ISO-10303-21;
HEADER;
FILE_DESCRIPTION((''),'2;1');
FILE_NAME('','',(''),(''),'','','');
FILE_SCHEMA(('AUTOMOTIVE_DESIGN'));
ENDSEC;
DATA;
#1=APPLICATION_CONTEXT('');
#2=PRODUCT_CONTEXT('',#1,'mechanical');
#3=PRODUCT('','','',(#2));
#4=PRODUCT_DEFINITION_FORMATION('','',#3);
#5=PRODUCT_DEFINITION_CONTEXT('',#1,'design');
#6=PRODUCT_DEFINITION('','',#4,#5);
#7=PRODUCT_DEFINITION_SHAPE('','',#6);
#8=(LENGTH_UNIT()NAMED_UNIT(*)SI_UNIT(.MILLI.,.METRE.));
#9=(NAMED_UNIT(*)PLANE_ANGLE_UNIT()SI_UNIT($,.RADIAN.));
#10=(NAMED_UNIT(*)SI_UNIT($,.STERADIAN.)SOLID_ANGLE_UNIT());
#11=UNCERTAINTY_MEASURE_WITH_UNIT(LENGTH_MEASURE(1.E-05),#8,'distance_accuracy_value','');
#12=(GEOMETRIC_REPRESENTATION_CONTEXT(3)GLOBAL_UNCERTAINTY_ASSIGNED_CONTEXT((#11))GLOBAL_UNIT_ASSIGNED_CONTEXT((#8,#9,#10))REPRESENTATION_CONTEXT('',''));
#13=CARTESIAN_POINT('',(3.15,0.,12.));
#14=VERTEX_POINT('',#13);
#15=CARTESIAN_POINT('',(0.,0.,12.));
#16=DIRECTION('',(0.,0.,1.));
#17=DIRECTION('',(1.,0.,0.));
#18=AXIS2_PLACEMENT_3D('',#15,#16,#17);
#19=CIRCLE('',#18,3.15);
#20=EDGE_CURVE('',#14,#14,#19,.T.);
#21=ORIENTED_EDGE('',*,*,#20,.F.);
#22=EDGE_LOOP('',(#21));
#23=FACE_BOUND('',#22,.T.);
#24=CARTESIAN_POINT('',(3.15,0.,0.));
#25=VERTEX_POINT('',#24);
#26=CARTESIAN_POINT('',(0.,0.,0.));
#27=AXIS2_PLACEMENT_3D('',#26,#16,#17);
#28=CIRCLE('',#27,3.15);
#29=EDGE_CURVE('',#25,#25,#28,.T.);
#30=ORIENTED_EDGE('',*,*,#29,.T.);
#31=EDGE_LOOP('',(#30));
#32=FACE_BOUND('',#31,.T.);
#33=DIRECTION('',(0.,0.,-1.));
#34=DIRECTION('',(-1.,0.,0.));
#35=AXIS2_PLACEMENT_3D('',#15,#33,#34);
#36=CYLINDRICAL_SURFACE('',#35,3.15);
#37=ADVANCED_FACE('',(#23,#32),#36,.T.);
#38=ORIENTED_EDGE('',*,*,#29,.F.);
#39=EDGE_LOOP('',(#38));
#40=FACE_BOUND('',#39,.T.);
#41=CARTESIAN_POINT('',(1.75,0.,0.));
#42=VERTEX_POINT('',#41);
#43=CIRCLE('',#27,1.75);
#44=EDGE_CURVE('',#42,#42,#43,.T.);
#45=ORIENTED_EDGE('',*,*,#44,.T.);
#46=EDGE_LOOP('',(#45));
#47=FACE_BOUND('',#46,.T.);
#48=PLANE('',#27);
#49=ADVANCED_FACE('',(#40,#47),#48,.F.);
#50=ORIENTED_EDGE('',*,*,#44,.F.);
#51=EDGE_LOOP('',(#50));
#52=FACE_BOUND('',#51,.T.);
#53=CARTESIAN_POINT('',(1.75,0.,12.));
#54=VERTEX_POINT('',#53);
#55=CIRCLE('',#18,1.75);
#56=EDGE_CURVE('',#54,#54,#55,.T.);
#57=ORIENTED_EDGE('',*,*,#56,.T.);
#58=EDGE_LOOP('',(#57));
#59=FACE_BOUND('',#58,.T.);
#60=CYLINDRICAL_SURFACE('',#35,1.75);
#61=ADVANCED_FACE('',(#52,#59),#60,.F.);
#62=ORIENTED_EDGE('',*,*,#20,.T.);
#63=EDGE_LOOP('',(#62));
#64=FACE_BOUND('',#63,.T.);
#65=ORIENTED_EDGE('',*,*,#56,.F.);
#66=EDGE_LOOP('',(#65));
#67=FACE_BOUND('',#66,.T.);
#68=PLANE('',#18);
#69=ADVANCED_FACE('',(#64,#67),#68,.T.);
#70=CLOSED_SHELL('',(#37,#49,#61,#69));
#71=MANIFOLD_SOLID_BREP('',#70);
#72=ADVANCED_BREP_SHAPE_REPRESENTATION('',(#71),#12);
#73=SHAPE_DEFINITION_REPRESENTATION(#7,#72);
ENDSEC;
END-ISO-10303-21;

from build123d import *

# Parameters (mm, degrees)
SZKIC1_R                    = 3.15
SZKIC1_R_2                  = 1.75
DODANIE_WYCI_GNI_CIE1_DEPTH = 12


with BuildPart() as part:
    # Szkic1 → Dodanie-wyciągnięcie1 (new body)
    with BuildSketch(Plane.XY):
        Circle(SZKIC1_R)
        Circle(SZKIC1_R_2, mode=Mode.SUBTRACT)
    extrude(amount=DODANIE_WYCI_GNI_CIE1_DEPTH)


solid = part.part
